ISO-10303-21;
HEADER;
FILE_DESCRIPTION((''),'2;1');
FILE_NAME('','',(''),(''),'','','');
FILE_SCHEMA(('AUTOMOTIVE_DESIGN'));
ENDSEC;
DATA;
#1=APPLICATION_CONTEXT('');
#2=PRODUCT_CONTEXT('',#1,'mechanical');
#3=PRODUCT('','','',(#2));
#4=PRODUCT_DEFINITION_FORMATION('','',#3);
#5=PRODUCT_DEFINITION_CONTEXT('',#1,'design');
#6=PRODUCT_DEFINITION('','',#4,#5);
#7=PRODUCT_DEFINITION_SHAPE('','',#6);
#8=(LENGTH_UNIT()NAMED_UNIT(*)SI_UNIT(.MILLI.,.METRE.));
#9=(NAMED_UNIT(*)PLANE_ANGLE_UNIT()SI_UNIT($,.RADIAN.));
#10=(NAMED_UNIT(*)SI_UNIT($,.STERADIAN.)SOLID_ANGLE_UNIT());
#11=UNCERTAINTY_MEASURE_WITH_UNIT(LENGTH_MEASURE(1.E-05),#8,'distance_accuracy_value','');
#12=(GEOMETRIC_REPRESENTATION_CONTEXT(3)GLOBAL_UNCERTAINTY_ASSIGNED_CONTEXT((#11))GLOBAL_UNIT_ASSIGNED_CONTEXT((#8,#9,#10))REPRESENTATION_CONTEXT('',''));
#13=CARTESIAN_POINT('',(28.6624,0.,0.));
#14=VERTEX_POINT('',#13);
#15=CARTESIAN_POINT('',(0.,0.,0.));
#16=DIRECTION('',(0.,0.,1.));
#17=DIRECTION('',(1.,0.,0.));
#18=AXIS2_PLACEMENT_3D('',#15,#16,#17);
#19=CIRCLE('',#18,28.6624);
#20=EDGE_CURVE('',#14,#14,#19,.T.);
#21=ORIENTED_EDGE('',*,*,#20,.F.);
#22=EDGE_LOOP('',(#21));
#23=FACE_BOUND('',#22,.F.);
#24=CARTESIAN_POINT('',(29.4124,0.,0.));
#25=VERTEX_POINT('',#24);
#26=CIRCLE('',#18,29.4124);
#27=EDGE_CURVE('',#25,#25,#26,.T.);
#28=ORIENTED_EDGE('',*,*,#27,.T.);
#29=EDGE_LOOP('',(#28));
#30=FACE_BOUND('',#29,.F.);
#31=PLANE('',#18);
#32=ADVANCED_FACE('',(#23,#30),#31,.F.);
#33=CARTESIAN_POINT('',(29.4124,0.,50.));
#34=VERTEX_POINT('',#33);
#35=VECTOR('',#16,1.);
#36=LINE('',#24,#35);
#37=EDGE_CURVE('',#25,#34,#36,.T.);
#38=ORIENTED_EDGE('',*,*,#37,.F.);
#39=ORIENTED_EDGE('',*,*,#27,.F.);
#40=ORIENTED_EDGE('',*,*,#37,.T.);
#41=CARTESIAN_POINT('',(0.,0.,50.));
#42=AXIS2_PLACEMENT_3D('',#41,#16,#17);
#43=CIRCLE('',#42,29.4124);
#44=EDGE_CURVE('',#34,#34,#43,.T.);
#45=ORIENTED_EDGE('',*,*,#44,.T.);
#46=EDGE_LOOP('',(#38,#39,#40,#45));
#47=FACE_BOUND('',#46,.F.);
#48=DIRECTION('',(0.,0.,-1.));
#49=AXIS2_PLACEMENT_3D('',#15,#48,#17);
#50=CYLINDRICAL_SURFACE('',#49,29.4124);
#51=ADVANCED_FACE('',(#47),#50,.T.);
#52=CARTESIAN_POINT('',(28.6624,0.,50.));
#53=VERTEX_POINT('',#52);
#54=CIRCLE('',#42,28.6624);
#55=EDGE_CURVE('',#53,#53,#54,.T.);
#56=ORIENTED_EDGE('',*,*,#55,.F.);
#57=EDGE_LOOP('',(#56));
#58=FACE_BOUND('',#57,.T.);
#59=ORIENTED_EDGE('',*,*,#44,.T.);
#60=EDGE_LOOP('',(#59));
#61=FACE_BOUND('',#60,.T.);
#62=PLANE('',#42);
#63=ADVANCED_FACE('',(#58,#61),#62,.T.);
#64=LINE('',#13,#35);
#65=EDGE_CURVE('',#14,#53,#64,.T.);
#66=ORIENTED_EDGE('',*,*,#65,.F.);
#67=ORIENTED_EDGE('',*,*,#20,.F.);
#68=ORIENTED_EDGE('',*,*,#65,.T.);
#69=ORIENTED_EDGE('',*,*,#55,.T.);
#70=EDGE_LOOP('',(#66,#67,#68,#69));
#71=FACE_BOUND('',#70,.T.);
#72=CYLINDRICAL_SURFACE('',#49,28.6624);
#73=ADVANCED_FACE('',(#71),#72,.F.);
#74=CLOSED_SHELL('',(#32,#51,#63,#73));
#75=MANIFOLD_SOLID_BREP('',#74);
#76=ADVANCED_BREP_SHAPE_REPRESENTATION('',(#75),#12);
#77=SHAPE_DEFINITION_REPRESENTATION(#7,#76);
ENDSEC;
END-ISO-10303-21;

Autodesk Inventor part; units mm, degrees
ref_plane "YZ Plane" through (0, 0, 0) normal (1, 0, 0) x (0, 1, 0)
ref_plane "XZ Plane" through (0, 0, 0) normal (0, 1, 0) x (-1, 0, 0)
ref_plane "XY Plane" through (0, 0, 0) normal (0, 0, 1) x (1, 0, 0)
sketch "Esboço1" plane through (0, 0, 0) normal (0, 0, 1) x (1, 0, 0)
  circle A0 centre (0, 0) radius 28.6624
  circle A1 centre (0, 0) radius 29.4124
  dimension "d0" = 57.3248
  dimension "d1" = 0.75
extrude "Extrusão1" add sketch "Esboço1" along normal blind 50
properties part number "velcro"
